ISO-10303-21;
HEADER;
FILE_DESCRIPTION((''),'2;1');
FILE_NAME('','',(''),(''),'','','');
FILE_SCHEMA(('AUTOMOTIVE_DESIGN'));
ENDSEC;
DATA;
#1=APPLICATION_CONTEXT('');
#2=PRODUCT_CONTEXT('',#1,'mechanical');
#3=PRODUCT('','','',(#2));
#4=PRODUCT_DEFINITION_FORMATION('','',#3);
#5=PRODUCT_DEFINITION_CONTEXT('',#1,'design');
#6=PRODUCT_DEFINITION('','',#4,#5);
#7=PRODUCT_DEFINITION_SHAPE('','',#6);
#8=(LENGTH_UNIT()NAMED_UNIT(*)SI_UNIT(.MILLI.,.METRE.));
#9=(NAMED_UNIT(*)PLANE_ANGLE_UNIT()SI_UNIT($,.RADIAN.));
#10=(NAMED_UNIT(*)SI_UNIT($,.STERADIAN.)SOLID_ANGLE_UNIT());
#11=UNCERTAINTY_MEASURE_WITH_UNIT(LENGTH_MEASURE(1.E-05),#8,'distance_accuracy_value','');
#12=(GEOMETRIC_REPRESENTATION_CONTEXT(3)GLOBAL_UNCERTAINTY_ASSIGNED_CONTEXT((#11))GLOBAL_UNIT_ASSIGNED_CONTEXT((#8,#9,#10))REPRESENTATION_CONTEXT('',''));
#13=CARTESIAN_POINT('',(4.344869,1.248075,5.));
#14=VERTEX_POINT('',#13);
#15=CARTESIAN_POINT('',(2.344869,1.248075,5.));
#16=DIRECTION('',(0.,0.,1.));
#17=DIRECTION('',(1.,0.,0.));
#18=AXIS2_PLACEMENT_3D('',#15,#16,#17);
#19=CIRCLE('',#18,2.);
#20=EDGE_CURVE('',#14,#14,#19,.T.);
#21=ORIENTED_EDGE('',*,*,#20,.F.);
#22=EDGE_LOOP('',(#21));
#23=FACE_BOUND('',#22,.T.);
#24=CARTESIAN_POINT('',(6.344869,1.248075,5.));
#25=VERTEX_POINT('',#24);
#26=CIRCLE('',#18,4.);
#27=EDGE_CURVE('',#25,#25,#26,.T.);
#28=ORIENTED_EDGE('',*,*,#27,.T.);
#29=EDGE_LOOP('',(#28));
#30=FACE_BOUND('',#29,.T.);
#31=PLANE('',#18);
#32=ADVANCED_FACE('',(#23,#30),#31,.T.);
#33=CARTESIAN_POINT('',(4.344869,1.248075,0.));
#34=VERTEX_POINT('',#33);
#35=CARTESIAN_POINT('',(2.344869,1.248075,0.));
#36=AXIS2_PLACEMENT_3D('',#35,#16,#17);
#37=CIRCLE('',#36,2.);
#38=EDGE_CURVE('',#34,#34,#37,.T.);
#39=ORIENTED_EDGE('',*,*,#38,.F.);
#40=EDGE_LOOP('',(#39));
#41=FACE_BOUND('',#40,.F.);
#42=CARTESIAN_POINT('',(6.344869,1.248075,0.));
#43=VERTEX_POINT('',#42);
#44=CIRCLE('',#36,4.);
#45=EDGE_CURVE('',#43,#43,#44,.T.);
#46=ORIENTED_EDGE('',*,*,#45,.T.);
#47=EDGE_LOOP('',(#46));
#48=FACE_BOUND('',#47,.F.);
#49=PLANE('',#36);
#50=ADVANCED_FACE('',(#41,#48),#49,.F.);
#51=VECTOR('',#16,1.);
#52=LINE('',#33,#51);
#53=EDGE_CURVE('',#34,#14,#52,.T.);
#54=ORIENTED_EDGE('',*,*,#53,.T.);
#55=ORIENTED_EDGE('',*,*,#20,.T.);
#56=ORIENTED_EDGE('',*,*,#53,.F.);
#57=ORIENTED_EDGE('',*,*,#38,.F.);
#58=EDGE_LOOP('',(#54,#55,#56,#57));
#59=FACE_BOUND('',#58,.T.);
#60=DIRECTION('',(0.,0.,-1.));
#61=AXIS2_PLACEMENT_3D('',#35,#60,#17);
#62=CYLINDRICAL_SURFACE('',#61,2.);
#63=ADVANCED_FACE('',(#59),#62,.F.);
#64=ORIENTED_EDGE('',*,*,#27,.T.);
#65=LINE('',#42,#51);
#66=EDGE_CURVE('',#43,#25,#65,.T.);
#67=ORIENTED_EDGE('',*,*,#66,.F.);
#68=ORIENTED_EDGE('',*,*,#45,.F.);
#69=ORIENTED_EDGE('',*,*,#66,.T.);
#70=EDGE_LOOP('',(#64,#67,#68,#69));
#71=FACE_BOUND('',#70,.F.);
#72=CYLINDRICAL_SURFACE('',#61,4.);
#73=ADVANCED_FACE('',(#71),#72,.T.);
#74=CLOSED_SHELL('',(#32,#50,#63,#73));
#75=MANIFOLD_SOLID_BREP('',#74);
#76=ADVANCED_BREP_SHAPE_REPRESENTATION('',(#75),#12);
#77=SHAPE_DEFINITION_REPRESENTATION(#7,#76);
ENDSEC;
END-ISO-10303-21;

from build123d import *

# Parameters (mm, degrees)
SKETCH1_R           = 4
SKETCH1_R_2         = 2
BOSS_EXTRUDE1_DEPTH = 5


with BuildPart() as part:
    # Sketch1 → Boss-Extrude1 (new body)
    with BuildSketch(Plane.XY):
        with Locations((2.344869011, 1.248075442)):
            Circle(SKETCH1_R)
        with Locations((2.344869011, 1.248075442)):
            Circle(SKETCH1_R_2, mode=Mode.SUBTRACT)
    extrude(amount=BOSS_EXTRUDE1_DEPTH)


solid = part.part
